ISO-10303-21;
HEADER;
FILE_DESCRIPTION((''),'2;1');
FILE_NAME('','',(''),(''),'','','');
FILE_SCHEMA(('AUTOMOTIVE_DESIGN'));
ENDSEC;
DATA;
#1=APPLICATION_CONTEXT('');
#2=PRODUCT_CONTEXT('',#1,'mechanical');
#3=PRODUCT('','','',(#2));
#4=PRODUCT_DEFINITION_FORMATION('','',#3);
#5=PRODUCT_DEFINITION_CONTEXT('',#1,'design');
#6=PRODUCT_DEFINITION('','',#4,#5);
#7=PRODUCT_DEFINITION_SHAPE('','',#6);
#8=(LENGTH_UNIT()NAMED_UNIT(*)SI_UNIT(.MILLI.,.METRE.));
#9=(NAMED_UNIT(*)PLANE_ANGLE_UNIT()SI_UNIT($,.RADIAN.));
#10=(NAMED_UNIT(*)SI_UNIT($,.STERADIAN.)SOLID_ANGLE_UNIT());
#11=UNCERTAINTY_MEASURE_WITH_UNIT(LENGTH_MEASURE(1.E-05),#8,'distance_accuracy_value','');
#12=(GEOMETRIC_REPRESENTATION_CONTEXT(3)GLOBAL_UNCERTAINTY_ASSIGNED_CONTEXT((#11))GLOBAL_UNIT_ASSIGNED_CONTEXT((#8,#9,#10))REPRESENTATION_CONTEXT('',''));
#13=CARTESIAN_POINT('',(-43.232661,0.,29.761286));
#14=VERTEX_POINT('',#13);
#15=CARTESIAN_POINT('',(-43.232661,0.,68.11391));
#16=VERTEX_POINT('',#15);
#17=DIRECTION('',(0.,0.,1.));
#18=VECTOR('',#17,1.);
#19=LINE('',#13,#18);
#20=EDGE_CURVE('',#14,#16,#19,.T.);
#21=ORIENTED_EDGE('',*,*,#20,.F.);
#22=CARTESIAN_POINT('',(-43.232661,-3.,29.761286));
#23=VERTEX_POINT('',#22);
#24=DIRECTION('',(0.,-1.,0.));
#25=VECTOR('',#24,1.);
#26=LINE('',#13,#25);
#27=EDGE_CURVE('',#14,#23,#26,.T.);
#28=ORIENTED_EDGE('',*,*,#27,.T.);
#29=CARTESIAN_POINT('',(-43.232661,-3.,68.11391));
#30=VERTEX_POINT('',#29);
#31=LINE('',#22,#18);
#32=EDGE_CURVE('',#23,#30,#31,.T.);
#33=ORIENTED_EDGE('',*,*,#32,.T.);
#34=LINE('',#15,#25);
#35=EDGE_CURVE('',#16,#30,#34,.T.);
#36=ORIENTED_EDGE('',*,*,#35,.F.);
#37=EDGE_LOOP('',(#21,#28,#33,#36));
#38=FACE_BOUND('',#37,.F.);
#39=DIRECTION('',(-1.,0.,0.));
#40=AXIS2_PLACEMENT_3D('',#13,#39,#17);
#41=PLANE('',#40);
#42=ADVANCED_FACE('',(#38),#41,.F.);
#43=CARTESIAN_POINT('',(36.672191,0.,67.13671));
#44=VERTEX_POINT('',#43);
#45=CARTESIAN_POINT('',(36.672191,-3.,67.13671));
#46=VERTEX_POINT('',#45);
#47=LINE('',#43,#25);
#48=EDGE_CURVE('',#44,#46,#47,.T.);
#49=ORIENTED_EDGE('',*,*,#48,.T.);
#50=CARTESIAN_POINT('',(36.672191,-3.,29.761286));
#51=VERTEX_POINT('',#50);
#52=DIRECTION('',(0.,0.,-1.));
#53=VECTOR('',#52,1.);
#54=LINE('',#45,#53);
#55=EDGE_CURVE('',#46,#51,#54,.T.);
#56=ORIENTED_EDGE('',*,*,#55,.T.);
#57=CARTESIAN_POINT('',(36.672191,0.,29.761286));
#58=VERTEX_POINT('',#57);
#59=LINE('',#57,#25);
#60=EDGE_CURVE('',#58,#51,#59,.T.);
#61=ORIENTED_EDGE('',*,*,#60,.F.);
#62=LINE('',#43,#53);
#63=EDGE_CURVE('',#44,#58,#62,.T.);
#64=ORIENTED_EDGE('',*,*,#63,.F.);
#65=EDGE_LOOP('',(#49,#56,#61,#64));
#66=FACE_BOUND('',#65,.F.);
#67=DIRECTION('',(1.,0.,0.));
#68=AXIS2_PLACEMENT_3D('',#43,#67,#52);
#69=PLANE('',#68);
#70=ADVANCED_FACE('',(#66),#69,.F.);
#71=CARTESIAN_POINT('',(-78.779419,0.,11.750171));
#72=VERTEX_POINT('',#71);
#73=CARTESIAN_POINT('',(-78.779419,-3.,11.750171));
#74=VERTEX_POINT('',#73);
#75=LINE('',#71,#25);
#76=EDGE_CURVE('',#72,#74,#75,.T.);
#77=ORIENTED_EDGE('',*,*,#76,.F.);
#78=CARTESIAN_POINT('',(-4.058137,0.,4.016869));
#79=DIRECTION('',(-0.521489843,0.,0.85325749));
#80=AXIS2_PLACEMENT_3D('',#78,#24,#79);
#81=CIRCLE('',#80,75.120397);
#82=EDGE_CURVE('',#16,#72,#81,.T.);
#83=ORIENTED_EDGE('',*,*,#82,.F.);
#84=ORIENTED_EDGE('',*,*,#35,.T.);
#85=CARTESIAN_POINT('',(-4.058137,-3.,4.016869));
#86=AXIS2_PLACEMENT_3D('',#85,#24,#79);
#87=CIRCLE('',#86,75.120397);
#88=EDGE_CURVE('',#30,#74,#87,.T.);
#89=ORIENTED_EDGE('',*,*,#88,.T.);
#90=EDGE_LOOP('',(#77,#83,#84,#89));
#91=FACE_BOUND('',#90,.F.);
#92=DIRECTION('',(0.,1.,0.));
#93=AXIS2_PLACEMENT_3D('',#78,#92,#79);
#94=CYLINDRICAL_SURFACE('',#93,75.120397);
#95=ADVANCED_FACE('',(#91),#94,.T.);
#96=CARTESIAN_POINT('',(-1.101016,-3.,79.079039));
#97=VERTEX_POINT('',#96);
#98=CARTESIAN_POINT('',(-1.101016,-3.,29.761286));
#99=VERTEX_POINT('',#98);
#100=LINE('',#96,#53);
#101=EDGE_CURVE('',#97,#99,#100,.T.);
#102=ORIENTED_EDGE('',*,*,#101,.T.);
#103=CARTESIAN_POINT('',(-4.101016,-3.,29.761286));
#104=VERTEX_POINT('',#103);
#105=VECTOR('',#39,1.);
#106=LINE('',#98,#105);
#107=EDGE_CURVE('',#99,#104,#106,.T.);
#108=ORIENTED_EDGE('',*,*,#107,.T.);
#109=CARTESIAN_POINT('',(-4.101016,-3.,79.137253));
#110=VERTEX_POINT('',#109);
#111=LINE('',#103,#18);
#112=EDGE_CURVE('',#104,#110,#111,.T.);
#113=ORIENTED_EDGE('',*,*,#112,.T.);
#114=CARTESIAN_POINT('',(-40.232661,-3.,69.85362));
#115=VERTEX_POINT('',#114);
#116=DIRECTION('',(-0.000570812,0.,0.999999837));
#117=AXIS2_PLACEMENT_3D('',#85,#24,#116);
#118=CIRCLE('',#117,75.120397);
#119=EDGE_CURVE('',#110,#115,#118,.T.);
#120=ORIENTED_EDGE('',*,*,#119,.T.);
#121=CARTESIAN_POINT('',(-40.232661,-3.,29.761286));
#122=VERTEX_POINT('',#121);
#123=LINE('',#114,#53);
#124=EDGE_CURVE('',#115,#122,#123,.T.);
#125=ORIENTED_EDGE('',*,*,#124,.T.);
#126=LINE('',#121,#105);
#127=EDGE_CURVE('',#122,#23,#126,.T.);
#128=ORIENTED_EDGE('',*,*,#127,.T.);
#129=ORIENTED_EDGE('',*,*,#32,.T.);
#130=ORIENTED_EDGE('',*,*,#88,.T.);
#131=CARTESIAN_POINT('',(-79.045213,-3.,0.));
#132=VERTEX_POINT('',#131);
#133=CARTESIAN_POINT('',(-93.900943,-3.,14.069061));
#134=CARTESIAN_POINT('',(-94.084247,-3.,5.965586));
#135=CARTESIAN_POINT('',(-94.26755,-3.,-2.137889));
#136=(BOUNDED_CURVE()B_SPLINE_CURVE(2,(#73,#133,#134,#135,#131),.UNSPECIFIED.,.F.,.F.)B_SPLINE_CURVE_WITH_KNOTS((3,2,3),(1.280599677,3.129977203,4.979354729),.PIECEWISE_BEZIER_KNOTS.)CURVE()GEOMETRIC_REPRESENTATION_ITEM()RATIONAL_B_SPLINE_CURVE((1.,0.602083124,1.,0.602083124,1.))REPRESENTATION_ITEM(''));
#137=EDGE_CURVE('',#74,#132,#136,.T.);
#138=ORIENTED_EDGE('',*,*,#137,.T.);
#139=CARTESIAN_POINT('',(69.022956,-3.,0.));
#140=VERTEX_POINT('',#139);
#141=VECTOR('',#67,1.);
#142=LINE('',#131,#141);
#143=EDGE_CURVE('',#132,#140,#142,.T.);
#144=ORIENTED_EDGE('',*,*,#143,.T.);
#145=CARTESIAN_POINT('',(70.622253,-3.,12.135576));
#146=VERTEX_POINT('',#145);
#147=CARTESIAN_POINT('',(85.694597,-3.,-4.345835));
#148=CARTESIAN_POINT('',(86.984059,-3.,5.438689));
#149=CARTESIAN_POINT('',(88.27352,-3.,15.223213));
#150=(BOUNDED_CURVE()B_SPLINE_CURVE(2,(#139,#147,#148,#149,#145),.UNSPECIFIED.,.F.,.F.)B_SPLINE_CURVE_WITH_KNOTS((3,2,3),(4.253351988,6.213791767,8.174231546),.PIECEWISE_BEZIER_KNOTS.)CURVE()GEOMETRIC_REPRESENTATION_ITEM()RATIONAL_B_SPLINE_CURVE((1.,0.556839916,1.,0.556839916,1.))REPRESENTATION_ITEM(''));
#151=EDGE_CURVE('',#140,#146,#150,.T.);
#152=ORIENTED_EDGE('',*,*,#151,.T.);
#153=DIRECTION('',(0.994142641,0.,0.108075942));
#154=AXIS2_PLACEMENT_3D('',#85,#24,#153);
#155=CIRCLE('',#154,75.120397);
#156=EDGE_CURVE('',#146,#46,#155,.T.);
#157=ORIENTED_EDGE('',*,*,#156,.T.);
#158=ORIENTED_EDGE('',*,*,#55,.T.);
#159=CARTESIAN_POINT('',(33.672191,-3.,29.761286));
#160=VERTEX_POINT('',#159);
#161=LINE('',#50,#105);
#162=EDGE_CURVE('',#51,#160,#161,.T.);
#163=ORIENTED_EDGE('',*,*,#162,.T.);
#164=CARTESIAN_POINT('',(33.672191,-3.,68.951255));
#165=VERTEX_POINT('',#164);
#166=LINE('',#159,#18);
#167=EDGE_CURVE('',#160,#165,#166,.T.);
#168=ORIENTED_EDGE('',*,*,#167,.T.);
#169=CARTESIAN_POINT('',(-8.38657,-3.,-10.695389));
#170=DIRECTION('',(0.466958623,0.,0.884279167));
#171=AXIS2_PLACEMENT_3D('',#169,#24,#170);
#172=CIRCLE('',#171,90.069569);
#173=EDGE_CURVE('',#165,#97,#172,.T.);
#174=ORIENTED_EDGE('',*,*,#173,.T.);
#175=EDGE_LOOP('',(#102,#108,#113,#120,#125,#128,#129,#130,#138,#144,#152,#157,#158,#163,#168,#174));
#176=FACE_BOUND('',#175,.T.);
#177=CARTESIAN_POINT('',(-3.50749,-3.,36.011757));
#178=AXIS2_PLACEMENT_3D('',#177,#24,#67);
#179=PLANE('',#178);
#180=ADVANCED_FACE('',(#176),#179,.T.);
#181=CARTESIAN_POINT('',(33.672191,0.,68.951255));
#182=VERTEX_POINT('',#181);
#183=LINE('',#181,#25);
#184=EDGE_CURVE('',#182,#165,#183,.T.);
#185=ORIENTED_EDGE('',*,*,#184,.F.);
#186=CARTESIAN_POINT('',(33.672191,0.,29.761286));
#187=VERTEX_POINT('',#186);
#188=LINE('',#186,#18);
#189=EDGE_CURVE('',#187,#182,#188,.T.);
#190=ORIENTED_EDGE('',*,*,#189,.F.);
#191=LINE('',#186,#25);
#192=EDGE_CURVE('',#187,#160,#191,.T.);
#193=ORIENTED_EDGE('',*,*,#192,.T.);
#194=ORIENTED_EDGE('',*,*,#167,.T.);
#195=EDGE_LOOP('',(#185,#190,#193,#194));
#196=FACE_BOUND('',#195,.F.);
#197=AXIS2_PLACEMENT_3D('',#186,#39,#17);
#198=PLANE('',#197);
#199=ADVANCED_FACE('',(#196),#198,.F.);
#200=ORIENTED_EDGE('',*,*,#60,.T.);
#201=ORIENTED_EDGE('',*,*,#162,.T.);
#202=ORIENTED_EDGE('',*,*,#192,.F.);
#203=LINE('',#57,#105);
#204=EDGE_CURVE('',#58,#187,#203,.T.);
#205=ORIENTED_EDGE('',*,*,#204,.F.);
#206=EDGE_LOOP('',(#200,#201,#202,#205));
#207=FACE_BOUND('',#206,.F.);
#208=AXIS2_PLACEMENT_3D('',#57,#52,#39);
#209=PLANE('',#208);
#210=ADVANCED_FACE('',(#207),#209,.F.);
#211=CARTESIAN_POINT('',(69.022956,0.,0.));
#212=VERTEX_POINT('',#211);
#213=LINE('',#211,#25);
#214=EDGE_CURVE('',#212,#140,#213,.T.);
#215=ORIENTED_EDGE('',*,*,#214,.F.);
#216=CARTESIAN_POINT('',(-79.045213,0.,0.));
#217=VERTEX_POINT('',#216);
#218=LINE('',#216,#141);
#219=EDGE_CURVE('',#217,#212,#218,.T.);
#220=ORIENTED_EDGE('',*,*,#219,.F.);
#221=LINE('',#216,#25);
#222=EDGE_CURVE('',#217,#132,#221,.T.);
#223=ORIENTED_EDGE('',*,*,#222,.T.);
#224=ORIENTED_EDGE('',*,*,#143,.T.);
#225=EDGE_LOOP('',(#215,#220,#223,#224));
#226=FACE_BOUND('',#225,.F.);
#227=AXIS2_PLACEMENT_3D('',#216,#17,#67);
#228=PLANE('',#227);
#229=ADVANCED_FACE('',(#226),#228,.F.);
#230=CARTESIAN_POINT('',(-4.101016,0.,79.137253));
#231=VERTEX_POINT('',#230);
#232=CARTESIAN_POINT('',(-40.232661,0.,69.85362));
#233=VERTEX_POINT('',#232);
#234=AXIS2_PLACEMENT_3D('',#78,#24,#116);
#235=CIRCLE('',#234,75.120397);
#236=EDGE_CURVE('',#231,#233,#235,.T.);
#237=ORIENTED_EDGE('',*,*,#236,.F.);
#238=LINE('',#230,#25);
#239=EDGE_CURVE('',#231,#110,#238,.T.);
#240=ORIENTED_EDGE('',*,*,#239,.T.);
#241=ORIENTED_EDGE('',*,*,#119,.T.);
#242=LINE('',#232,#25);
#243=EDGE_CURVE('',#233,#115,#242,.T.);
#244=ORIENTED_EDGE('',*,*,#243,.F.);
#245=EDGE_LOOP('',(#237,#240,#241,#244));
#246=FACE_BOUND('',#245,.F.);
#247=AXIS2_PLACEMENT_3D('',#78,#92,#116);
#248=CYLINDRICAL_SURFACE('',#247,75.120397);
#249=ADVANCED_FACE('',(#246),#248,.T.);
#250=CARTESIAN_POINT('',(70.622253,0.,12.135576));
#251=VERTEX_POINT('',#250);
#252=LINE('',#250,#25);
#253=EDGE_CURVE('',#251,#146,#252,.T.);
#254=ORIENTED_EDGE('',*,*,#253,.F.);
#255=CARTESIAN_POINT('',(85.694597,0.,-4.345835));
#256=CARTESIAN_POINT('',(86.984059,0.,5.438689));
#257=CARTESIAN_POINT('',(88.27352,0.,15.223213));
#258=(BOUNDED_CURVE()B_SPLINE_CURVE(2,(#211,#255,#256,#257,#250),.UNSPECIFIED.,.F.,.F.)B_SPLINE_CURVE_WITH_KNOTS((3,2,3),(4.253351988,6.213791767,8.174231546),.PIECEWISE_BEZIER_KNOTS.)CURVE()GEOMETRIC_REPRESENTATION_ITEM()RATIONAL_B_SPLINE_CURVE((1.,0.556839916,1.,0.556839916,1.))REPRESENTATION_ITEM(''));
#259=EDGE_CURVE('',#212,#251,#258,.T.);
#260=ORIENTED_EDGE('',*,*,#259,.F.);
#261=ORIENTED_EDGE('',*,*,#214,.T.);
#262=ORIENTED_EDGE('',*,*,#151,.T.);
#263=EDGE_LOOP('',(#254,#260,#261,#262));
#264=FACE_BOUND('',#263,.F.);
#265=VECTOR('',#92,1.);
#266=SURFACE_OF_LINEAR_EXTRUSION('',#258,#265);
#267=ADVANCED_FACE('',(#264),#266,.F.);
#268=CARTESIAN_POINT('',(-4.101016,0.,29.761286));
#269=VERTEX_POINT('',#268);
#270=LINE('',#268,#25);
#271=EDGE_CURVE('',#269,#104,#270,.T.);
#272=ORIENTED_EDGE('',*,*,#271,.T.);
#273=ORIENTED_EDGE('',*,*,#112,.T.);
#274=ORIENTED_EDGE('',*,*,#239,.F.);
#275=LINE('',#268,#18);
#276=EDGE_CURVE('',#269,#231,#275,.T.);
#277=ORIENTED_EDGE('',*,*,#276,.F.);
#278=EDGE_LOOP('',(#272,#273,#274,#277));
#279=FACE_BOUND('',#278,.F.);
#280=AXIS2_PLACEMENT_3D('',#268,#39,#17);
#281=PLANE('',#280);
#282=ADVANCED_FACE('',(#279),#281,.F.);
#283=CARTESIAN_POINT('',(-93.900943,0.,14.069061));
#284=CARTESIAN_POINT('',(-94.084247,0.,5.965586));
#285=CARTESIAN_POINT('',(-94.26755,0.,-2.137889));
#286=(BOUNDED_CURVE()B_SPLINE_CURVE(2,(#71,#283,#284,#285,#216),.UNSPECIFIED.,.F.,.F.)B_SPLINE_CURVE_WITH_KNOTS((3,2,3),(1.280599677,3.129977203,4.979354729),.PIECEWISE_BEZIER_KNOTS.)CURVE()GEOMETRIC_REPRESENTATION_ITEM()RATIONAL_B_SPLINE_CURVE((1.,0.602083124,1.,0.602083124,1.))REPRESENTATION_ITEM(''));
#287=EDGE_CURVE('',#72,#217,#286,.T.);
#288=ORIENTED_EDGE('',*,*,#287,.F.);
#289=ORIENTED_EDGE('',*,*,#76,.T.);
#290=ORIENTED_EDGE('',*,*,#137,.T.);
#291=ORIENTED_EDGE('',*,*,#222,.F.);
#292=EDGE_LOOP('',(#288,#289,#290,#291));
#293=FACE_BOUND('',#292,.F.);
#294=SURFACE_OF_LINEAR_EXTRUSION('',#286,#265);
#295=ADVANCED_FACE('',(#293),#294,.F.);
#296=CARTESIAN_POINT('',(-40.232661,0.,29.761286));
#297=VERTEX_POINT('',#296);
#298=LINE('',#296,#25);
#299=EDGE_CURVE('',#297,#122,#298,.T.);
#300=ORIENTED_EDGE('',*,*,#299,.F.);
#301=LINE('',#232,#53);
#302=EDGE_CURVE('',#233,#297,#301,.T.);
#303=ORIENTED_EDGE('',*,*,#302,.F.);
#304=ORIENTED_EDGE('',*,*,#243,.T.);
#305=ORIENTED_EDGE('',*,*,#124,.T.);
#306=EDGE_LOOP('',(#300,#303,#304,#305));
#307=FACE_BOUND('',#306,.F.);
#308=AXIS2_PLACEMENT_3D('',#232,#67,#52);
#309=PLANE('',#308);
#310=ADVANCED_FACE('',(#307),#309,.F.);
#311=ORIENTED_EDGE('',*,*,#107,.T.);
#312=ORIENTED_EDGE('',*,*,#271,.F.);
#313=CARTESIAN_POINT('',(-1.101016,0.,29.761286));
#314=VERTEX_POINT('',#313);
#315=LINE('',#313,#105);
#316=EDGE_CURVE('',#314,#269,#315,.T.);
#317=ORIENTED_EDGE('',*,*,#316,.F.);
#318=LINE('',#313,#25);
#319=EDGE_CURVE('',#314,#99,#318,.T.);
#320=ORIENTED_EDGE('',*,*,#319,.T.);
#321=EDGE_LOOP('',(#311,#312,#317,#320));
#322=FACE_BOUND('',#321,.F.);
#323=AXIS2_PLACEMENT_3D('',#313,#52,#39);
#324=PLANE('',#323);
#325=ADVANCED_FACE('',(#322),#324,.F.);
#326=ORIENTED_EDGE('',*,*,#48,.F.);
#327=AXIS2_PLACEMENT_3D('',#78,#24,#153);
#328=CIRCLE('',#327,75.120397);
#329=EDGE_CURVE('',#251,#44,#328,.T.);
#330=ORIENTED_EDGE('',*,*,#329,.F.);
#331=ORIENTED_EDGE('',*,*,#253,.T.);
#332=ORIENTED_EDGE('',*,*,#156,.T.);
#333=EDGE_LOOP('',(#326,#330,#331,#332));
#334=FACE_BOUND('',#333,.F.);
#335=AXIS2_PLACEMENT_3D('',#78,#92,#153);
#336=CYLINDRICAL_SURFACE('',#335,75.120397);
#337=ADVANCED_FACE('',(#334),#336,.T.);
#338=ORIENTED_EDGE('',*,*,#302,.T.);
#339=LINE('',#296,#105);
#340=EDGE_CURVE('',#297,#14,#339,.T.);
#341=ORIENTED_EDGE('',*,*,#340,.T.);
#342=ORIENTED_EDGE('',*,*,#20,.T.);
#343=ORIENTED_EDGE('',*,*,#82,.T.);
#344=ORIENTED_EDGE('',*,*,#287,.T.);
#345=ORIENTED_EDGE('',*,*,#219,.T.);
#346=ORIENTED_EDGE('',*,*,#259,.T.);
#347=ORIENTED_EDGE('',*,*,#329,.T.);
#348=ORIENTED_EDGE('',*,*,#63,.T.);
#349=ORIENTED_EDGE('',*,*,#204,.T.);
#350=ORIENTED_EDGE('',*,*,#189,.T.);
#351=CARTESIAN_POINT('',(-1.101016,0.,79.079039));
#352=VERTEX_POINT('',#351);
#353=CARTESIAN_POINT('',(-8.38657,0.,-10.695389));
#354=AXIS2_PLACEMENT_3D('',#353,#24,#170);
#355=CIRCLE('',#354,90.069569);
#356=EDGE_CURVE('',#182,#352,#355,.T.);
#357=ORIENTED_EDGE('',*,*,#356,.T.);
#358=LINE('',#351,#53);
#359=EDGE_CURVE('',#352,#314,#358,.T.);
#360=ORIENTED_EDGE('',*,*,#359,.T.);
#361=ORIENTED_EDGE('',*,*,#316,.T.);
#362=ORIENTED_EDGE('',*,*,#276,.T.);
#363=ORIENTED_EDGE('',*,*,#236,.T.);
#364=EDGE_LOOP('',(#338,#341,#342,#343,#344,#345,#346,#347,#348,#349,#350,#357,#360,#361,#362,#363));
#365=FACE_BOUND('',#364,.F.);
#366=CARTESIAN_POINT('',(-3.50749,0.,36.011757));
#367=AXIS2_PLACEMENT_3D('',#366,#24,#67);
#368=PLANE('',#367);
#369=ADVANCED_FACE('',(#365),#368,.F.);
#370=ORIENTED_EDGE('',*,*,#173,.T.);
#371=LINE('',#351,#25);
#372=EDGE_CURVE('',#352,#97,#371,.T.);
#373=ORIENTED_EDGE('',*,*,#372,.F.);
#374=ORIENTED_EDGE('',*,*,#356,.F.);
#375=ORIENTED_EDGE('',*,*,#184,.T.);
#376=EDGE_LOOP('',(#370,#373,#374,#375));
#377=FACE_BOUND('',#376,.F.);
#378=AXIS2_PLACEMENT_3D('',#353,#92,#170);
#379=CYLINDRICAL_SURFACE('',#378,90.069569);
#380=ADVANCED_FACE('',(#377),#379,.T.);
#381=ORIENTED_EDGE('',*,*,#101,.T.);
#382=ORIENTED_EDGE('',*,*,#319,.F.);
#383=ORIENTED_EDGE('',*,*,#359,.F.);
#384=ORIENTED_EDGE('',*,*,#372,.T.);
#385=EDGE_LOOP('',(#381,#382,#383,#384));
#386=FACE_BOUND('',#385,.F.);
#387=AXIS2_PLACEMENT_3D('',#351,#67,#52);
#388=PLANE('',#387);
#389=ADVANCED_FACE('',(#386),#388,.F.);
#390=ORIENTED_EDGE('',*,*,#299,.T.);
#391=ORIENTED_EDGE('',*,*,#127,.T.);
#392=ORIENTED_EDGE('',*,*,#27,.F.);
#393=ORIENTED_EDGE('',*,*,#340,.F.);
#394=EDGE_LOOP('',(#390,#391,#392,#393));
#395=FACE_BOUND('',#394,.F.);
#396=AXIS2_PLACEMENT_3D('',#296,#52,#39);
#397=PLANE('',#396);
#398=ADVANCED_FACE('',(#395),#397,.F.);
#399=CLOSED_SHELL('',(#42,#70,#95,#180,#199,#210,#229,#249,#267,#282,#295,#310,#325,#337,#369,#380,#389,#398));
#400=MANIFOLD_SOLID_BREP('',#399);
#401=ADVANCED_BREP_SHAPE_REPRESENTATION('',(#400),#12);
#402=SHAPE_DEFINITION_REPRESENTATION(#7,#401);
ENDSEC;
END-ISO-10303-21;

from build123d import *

# Parameters (mm, degrees)
F1_DEPTH = 3


with BuildPart() as f1:
    # F0 (on Front) → F1 (new body)
    with BuildSketch(Plane.XZ):
        with BuildLine():
            Line((-79.0452127299, 0), (69.0229559835, 0))
            add(Edge.make_bspline(
                [(69.0229559835, 0), (85.6945972777, -4.3458351256), (86.9840587657, 5.4386887479), (88.2735202537, 15.2232126214), (70.6222528456, 12.1355763426)],
                knots=[4.2533519881, 4.2533519881, 4.2533519881, 6.213791767, 6.213791767, 8.1742315459, 8.1742315459, 8.1742315459], degree=2, weights=[1, 0.5568399157, 1, 0.5568399157, 1]))
            ThreePointArc((70.6222528456, 12.1355763426), (59.8651737024, 43.474242989), (36.672191381, 67.1367101027))
            Line((36.672191381, 67.1367101027), (36.672191381, 29.7612857236))
            Line((36.672191381, 29.7612857236), (33.672191381, 29.7612857236))
            Line((33.672191381, 29.7612857236), (33.672191381, 68.9512545233))
            ThreePointArc((33.672191381, 68.9512545233), (16.7999017545, 75.7810175572), (-1.1010164612, 79.0790392931))
            Line((-1.1010164612, 79.0790392931), (-1.1010164612, 29.7612857236))
            Line((-1.1010164612, 29.7612857236), (-4.1010164612, 29.7612857236))
            Line((-4.1010164612, 29.7612857236), (-4.1010164612, 79.1372532596))
            ThreePointArc((-4.1010164612, 79.1372532596), (-22.752294767, 76.774015939), (-40.2326607406, 69.853620105))
            Line((-40.2326607406, 69.853620105), (-40.2326607406, 29.7612857236))
            Line((-40.2326607406, 29.7612857236), (-43.2326607406, 29.7612857236))
            Line((-43.2326607406, 29.7612857236), (-43.2326607406, 68.1139099124))
            ThreePointArc((-43.2326607406, 68.1139099124), (-67.5977422538, 44.0892102751), (-78.779419337, 11.7501705953))
            add(Edge.make_bspline(
                [(-78.779419337, 11.7501705953), (-93.9009427926, 14.0690605603), (-94.0842465138, 5.9655860133), (-94.267550235, -2.1378885336), (-79.0452127299, 0)],
                knots=[1.2805996774, 1.2805996774, 1.2805996774, 3.1299772031, 3.1299772031, 4.9793547288, 4.9793547288, 4.9793547288], degree=2, weights=[1, 0.6020831237, 1, 0.6020831237, 1]))
        make_face()
    extrude(amount=F1_DEPTH)


solid = f1.part
